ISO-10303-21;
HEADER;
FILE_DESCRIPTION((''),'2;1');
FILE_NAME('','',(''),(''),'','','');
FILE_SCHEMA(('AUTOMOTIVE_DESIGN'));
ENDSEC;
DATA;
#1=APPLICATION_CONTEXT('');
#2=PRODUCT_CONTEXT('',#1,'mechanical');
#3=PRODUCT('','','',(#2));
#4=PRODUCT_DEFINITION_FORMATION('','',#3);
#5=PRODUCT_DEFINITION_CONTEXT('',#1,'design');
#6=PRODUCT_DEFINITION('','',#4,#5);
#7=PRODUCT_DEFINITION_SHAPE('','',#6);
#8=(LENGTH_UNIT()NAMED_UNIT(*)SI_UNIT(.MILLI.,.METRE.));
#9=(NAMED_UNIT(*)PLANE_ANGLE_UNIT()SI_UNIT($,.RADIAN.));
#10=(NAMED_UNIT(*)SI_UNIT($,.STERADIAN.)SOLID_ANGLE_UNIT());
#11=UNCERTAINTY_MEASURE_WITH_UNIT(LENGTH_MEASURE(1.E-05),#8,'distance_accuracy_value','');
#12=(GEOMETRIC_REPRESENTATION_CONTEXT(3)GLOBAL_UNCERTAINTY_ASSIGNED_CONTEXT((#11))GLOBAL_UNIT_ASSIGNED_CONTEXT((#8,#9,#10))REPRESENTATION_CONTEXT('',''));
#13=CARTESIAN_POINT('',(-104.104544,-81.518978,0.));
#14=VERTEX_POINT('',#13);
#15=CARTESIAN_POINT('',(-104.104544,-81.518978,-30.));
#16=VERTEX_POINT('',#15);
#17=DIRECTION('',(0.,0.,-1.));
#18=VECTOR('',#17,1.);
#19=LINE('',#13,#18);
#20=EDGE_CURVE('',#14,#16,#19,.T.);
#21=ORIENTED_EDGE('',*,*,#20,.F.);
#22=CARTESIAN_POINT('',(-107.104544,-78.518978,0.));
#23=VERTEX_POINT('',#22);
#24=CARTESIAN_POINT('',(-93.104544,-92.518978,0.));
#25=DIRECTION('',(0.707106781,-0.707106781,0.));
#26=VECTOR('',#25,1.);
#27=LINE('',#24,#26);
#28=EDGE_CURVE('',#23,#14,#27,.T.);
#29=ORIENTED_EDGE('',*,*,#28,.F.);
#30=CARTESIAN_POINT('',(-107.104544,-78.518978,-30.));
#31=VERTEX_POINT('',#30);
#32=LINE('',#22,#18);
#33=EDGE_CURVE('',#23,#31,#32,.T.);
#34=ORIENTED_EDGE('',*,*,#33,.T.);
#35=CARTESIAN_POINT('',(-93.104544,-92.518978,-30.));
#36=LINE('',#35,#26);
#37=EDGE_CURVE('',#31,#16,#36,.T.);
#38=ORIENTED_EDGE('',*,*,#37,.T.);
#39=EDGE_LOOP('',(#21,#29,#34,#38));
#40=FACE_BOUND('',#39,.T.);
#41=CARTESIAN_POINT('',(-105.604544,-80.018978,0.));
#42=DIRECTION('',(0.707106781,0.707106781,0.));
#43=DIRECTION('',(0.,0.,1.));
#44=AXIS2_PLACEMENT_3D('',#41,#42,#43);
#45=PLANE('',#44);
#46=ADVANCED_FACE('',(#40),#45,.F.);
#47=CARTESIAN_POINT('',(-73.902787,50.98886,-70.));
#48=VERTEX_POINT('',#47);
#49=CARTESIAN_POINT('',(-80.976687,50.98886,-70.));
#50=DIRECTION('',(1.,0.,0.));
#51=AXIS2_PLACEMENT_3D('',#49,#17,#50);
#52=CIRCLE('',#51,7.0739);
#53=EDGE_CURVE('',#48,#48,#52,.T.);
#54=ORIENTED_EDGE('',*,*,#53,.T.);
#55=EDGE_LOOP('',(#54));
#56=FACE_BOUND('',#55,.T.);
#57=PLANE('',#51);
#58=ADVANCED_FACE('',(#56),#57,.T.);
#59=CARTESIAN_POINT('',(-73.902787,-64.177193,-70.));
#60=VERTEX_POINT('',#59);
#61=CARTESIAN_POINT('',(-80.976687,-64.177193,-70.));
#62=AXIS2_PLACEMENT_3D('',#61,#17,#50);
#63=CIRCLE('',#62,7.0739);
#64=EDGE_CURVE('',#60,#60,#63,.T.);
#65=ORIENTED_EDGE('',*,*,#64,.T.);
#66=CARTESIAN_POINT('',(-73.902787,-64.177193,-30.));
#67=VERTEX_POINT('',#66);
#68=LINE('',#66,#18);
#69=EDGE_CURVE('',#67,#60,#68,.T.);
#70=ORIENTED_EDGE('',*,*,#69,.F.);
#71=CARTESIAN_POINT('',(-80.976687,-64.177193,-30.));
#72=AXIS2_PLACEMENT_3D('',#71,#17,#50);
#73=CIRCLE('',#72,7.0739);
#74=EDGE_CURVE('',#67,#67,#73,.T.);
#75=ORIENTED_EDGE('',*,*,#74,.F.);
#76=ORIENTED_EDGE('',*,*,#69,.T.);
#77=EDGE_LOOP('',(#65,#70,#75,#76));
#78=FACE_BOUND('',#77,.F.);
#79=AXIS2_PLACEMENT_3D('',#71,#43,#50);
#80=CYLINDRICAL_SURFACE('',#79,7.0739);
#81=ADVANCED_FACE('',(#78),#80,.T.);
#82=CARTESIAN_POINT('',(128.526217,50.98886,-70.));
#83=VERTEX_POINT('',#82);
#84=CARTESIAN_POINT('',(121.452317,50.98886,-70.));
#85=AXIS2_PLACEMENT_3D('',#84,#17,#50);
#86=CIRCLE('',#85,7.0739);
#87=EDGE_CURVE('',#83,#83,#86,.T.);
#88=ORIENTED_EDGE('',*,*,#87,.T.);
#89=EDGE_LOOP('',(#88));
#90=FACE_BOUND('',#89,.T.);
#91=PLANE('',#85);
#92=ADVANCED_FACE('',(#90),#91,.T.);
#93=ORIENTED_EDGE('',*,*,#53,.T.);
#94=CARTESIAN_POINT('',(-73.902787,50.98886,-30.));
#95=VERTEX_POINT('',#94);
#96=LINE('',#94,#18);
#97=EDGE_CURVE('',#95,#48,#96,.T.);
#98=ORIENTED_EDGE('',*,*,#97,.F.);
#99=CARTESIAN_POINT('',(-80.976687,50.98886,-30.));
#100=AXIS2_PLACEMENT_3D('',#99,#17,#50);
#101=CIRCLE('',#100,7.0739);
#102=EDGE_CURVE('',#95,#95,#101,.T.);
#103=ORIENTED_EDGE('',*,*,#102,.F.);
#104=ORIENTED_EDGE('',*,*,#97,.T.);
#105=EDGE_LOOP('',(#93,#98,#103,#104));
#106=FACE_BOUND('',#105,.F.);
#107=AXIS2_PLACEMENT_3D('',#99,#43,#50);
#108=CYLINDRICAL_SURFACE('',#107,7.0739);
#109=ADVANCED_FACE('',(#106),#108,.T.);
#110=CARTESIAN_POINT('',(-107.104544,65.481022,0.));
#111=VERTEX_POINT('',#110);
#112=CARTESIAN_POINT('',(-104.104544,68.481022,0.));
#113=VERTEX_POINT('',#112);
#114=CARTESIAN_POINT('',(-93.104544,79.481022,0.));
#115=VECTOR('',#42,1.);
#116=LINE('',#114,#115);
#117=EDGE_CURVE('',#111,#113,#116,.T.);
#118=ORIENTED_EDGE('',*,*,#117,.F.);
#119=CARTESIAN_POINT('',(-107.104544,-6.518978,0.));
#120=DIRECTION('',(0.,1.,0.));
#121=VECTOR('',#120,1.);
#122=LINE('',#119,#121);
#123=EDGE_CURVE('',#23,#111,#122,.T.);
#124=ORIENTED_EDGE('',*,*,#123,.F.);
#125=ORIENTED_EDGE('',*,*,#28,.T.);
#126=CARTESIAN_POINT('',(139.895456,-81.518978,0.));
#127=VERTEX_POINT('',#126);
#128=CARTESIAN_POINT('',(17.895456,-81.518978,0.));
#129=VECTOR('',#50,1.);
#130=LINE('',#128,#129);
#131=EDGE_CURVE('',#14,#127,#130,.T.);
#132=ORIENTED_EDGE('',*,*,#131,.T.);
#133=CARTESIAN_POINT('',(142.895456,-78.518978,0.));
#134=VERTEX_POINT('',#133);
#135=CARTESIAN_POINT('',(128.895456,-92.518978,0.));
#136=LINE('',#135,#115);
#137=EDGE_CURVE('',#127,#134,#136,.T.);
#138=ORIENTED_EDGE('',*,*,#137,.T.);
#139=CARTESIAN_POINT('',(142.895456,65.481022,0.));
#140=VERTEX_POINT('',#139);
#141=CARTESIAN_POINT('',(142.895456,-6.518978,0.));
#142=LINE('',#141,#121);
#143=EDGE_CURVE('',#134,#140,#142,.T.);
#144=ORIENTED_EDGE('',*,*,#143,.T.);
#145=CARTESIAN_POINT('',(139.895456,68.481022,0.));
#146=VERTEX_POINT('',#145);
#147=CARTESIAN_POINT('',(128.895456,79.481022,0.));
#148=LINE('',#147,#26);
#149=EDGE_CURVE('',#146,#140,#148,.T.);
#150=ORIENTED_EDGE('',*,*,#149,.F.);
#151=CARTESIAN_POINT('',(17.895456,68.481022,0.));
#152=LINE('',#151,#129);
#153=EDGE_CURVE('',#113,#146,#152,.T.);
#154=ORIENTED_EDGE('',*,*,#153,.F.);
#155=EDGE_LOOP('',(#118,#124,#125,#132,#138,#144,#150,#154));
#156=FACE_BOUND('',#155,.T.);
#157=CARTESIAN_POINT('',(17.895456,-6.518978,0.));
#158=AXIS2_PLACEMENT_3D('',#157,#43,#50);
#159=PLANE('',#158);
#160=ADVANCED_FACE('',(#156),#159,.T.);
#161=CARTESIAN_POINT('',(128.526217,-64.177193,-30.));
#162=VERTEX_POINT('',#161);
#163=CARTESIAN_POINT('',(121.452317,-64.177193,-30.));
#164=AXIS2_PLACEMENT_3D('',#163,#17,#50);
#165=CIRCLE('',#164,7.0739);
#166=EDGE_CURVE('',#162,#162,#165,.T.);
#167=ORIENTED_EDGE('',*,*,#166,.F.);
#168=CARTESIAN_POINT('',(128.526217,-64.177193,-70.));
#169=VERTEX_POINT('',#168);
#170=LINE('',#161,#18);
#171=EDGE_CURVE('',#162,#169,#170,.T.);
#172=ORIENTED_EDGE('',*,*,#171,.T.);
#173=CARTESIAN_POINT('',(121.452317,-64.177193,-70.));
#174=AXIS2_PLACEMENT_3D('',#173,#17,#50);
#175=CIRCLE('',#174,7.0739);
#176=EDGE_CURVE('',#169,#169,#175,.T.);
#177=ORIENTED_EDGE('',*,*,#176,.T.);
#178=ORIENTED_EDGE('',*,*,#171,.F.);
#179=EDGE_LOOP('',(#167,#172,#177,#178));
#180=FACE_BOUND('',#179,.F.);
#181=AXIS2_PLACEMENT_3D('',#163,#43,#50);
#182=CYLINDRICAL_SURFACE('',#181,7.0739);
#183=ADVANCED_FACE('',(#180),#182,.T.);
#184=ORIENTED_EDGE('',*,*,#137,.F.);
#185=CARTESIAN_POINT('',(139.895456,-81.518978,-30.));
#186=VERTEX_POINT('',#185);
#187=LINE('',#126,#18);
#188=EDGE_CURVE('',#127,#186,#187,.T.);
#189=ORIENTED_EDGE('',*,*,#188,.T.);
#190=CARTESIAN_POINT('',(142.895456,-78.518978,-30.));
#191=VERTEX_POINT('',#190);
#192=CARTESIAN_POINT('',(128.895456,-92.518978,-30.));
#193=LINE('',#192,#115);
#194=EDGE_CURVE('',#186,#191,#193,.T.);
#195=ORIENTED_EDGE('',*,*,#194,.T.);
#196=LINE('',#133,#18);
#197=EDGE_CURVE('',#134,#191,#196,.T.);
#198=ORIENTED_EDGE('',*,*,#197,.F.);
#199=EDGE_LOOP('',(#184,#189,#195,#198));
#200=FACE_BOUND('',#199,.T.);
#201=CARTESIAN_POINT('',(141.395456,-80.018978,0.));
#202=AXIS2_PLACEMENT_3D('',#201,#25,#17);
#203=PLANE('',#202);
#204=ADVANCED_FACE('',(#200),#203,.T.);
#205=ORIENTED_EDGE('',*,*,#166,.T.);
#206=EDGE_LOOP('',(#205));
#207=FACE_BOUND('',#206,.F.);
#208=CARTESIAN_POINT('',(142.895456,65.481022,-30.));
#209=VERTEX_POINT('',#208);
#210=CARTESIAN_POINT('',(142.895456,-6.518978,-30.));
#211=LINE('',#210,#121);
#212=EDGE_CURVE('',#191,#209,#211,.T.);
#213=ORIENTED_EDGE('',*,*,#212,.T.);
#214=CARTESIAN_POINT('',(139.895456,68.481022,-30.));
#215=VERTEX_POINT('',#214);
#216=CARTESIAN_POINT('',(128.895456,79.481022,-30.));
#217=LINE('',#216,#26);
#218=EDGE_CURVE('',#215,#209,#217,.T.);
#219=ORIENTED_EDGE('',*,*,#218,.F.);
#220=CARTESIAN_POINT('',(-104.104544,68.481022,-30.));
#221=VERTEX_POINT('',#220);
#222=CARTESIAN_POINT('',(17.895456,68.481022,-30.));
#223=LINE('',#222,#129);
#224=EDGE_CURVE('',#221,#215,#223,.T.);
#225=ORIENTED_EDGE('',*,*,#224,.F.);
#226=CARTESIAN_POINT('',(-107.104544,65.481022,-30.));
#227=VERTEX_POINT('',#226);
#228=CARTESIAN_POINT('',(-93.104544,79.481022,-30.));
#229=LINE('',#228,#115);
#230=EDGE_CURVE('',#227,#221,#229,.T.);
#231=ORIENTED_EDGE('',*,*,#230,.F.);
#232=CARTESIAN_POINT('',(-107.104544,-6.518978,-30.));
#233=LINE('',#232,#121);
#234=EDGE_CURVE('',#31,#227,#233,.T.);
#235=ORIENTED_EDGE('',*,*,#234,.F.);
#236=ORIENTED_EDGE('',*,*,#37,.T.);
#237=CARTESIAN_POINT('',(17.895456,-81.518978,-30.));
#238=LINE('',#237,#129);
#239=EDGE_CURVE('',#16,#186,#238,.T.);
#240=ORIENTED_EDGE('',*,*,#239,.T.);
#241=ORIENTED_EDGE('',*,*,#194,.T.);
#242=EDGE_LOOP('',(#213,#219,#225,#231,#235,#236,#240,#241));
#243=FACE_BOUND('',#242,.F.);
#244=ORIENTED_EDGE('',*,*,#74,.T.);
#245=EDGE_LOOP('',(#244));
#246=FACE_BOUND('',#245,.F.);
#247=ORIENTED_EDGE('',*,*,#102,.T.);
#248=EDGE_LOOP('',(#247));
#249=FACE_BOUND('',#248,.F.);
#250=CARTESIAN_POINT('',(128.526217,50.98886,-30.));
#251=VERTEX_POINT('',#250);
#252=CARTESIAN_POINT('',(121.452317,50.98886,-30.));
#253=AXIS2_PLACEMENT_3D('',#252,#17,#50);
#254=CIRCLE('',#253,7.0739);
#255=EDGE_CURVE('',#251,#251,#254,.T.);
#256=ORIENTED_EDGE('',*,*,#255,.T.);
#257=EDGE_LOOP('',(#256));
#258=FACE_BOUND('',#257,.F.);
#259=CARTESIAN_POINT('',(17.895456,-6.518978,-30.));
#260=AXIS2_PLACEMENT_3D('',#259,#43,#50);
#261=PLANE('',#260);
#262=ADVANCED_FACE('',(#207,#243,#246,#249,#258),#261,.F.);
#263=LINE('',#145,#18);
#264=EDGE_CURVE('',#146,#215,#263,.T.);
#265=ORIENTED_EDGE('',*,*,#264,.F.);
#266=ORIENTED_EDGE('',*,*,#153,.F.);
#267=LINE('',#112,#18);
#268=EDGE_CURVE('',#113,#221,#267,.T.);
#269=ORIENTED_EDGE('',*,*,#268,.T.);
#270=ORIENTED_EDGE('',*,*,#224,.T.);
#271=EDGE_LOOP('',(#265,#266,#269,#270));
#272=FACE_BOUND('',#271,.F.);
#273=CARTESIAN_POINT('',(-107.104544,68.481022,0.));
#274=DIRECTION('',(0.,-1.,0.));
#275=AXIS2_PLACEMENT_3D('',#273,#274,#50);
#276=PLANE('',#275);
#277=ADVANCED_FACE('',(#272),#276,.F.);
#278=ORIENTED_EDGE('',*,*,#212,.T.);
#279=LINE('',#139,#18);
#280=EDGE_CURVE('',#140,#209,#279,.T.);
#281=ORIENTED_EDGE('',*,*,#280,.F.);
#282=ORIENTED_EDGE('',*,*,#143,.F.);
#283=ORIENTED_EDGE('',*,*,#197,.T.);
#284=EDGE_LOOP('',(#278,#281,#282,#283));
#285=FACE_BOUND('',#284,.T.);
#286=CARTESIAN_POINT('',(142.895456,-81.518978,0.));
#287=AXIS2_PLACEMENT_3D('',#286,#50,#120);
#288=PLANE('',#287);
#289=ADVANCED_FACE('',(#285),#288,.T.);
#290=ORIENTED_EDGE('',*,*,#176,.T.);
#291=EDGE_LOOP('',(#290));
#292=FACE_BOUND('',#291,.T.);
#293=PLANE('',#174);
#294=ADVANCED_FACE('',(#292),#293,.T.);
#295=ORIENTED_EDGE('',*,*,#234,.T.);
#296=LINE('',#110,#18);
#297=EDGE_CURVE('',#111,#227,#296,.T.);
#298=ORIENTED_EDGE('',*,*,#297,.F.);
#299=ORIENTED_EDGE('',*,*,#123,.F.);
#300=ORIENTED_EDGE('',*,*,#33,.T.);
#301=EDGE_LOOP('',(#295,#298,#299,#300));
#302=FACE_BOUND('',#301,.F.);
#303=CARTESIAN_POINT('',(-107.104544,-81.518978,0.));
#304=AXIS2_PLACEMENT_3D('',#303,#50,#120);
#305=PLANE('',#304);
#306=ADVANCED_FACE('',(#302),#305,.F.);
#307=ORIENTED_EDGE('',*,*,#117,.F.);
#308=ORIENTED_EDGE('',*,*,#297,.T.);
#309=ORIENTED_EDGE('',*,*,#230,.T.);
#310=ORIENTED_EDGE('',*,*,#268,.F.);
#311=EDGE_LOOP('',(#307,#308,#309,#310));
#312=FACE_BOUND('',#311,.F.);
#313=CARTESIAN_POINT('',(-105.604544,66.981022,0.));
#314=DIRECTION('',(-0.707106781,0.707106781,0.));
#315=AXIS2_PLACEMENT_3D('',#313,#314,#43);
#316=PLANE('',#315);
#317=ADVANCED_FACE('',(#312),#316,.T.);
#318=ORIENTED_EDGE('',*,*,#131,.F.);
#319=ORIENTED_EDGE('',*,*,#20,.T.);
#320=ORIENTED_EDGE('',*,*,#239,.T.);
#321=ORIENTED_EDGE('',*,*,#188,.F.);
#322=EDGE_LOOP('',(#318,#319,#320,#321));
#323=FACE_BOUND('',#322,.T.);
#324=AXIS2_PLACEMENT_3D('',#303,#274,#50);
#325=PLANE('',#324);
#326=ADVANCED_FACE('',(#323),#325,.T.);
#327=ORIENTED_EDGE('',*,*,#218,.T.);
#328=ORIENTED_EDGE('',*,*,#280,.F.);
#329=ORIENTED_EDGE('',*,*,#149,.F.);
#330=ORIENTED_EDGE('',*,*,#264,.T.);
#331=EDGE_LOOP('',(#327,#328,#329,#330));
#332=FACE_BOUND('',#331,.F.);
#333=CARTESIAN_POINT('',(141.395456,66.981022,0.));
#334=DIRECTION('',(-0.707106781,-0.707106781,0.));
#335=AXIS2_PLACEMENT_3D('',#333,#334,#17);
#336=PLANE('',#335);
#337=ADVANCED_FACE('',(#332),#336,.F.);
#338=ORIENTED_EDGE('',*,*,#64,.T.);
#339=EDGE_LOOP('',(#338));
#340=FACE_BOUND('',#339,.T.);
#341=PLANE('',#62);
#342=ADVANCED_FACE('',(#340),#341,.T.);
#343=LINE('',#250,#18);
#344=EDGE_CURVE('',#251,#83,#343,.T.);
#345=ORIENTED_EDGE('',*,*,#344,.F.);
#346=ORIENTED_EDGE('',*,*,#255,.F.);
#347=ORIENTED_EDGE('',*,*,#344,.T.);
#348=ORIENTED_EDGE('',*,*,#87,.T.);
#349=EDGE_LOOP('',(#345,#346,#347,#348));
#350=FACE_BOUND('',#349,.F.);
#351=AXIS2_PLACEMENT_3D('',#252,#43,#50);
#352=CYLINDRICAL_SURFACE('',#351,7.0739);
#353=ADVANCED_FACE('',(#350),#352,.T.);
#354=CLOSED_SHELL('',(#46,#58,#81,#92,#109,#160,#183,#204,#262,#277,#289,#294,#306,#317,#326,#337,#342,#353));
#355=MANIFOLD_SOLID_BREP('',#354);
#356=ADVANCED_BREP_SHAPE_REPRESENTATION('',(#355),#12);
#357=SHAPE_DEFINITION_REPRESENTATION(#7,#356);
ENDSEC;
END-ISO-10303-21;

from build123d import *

# Parameters (mm, degrees)
F0_W     = 250
F0_H     = 150
F1_DEPTH = 30
F2_R     = 7.0739
F3_DEPTH = 40
F4_SIZE  = 3


with BuildPart() as f1:
    # F0 (on Top) → F1 (new body)
    with BuildSketch(Plane.XY):
        with Locations((17.895456, -6.518978)):
            Rectangle(F0_W, F0_H)
    extrude(amount=-F1_DEPTH)

    # F2 (on face) → F3 (join)
    with BuildSketch(Plane(origin=(0, 0, -30), x_dir=(1, 0, 0), z_dir=(0, 0, -1))):
        with Locations((-80.976687, 64.177193)):
            Circle(F2_R)
        with Locations((121.452317, 64.177193)):
            Circle(F2_R)
        with Locations((121.452317, -50.98886)):
            Circle(F2_R)
        with Locations((-80.976687, -50.98886)):
            Circle(F2_R)
    extrude(amount=F3_DEPTH)

    # F4
    f4_edges = [f1.edges().sort_by_distance(p)[0] for p in [
        (-107.104544, 68.481022, -15),
        (142.895456, 68.481022, -15),
        (142.895456, -81.518978, -15),
        (-107.104544, -81.518978, -15),
    ]]
    chamfer(f4_edges, length=F4_SIZE)


solid = f1.part
